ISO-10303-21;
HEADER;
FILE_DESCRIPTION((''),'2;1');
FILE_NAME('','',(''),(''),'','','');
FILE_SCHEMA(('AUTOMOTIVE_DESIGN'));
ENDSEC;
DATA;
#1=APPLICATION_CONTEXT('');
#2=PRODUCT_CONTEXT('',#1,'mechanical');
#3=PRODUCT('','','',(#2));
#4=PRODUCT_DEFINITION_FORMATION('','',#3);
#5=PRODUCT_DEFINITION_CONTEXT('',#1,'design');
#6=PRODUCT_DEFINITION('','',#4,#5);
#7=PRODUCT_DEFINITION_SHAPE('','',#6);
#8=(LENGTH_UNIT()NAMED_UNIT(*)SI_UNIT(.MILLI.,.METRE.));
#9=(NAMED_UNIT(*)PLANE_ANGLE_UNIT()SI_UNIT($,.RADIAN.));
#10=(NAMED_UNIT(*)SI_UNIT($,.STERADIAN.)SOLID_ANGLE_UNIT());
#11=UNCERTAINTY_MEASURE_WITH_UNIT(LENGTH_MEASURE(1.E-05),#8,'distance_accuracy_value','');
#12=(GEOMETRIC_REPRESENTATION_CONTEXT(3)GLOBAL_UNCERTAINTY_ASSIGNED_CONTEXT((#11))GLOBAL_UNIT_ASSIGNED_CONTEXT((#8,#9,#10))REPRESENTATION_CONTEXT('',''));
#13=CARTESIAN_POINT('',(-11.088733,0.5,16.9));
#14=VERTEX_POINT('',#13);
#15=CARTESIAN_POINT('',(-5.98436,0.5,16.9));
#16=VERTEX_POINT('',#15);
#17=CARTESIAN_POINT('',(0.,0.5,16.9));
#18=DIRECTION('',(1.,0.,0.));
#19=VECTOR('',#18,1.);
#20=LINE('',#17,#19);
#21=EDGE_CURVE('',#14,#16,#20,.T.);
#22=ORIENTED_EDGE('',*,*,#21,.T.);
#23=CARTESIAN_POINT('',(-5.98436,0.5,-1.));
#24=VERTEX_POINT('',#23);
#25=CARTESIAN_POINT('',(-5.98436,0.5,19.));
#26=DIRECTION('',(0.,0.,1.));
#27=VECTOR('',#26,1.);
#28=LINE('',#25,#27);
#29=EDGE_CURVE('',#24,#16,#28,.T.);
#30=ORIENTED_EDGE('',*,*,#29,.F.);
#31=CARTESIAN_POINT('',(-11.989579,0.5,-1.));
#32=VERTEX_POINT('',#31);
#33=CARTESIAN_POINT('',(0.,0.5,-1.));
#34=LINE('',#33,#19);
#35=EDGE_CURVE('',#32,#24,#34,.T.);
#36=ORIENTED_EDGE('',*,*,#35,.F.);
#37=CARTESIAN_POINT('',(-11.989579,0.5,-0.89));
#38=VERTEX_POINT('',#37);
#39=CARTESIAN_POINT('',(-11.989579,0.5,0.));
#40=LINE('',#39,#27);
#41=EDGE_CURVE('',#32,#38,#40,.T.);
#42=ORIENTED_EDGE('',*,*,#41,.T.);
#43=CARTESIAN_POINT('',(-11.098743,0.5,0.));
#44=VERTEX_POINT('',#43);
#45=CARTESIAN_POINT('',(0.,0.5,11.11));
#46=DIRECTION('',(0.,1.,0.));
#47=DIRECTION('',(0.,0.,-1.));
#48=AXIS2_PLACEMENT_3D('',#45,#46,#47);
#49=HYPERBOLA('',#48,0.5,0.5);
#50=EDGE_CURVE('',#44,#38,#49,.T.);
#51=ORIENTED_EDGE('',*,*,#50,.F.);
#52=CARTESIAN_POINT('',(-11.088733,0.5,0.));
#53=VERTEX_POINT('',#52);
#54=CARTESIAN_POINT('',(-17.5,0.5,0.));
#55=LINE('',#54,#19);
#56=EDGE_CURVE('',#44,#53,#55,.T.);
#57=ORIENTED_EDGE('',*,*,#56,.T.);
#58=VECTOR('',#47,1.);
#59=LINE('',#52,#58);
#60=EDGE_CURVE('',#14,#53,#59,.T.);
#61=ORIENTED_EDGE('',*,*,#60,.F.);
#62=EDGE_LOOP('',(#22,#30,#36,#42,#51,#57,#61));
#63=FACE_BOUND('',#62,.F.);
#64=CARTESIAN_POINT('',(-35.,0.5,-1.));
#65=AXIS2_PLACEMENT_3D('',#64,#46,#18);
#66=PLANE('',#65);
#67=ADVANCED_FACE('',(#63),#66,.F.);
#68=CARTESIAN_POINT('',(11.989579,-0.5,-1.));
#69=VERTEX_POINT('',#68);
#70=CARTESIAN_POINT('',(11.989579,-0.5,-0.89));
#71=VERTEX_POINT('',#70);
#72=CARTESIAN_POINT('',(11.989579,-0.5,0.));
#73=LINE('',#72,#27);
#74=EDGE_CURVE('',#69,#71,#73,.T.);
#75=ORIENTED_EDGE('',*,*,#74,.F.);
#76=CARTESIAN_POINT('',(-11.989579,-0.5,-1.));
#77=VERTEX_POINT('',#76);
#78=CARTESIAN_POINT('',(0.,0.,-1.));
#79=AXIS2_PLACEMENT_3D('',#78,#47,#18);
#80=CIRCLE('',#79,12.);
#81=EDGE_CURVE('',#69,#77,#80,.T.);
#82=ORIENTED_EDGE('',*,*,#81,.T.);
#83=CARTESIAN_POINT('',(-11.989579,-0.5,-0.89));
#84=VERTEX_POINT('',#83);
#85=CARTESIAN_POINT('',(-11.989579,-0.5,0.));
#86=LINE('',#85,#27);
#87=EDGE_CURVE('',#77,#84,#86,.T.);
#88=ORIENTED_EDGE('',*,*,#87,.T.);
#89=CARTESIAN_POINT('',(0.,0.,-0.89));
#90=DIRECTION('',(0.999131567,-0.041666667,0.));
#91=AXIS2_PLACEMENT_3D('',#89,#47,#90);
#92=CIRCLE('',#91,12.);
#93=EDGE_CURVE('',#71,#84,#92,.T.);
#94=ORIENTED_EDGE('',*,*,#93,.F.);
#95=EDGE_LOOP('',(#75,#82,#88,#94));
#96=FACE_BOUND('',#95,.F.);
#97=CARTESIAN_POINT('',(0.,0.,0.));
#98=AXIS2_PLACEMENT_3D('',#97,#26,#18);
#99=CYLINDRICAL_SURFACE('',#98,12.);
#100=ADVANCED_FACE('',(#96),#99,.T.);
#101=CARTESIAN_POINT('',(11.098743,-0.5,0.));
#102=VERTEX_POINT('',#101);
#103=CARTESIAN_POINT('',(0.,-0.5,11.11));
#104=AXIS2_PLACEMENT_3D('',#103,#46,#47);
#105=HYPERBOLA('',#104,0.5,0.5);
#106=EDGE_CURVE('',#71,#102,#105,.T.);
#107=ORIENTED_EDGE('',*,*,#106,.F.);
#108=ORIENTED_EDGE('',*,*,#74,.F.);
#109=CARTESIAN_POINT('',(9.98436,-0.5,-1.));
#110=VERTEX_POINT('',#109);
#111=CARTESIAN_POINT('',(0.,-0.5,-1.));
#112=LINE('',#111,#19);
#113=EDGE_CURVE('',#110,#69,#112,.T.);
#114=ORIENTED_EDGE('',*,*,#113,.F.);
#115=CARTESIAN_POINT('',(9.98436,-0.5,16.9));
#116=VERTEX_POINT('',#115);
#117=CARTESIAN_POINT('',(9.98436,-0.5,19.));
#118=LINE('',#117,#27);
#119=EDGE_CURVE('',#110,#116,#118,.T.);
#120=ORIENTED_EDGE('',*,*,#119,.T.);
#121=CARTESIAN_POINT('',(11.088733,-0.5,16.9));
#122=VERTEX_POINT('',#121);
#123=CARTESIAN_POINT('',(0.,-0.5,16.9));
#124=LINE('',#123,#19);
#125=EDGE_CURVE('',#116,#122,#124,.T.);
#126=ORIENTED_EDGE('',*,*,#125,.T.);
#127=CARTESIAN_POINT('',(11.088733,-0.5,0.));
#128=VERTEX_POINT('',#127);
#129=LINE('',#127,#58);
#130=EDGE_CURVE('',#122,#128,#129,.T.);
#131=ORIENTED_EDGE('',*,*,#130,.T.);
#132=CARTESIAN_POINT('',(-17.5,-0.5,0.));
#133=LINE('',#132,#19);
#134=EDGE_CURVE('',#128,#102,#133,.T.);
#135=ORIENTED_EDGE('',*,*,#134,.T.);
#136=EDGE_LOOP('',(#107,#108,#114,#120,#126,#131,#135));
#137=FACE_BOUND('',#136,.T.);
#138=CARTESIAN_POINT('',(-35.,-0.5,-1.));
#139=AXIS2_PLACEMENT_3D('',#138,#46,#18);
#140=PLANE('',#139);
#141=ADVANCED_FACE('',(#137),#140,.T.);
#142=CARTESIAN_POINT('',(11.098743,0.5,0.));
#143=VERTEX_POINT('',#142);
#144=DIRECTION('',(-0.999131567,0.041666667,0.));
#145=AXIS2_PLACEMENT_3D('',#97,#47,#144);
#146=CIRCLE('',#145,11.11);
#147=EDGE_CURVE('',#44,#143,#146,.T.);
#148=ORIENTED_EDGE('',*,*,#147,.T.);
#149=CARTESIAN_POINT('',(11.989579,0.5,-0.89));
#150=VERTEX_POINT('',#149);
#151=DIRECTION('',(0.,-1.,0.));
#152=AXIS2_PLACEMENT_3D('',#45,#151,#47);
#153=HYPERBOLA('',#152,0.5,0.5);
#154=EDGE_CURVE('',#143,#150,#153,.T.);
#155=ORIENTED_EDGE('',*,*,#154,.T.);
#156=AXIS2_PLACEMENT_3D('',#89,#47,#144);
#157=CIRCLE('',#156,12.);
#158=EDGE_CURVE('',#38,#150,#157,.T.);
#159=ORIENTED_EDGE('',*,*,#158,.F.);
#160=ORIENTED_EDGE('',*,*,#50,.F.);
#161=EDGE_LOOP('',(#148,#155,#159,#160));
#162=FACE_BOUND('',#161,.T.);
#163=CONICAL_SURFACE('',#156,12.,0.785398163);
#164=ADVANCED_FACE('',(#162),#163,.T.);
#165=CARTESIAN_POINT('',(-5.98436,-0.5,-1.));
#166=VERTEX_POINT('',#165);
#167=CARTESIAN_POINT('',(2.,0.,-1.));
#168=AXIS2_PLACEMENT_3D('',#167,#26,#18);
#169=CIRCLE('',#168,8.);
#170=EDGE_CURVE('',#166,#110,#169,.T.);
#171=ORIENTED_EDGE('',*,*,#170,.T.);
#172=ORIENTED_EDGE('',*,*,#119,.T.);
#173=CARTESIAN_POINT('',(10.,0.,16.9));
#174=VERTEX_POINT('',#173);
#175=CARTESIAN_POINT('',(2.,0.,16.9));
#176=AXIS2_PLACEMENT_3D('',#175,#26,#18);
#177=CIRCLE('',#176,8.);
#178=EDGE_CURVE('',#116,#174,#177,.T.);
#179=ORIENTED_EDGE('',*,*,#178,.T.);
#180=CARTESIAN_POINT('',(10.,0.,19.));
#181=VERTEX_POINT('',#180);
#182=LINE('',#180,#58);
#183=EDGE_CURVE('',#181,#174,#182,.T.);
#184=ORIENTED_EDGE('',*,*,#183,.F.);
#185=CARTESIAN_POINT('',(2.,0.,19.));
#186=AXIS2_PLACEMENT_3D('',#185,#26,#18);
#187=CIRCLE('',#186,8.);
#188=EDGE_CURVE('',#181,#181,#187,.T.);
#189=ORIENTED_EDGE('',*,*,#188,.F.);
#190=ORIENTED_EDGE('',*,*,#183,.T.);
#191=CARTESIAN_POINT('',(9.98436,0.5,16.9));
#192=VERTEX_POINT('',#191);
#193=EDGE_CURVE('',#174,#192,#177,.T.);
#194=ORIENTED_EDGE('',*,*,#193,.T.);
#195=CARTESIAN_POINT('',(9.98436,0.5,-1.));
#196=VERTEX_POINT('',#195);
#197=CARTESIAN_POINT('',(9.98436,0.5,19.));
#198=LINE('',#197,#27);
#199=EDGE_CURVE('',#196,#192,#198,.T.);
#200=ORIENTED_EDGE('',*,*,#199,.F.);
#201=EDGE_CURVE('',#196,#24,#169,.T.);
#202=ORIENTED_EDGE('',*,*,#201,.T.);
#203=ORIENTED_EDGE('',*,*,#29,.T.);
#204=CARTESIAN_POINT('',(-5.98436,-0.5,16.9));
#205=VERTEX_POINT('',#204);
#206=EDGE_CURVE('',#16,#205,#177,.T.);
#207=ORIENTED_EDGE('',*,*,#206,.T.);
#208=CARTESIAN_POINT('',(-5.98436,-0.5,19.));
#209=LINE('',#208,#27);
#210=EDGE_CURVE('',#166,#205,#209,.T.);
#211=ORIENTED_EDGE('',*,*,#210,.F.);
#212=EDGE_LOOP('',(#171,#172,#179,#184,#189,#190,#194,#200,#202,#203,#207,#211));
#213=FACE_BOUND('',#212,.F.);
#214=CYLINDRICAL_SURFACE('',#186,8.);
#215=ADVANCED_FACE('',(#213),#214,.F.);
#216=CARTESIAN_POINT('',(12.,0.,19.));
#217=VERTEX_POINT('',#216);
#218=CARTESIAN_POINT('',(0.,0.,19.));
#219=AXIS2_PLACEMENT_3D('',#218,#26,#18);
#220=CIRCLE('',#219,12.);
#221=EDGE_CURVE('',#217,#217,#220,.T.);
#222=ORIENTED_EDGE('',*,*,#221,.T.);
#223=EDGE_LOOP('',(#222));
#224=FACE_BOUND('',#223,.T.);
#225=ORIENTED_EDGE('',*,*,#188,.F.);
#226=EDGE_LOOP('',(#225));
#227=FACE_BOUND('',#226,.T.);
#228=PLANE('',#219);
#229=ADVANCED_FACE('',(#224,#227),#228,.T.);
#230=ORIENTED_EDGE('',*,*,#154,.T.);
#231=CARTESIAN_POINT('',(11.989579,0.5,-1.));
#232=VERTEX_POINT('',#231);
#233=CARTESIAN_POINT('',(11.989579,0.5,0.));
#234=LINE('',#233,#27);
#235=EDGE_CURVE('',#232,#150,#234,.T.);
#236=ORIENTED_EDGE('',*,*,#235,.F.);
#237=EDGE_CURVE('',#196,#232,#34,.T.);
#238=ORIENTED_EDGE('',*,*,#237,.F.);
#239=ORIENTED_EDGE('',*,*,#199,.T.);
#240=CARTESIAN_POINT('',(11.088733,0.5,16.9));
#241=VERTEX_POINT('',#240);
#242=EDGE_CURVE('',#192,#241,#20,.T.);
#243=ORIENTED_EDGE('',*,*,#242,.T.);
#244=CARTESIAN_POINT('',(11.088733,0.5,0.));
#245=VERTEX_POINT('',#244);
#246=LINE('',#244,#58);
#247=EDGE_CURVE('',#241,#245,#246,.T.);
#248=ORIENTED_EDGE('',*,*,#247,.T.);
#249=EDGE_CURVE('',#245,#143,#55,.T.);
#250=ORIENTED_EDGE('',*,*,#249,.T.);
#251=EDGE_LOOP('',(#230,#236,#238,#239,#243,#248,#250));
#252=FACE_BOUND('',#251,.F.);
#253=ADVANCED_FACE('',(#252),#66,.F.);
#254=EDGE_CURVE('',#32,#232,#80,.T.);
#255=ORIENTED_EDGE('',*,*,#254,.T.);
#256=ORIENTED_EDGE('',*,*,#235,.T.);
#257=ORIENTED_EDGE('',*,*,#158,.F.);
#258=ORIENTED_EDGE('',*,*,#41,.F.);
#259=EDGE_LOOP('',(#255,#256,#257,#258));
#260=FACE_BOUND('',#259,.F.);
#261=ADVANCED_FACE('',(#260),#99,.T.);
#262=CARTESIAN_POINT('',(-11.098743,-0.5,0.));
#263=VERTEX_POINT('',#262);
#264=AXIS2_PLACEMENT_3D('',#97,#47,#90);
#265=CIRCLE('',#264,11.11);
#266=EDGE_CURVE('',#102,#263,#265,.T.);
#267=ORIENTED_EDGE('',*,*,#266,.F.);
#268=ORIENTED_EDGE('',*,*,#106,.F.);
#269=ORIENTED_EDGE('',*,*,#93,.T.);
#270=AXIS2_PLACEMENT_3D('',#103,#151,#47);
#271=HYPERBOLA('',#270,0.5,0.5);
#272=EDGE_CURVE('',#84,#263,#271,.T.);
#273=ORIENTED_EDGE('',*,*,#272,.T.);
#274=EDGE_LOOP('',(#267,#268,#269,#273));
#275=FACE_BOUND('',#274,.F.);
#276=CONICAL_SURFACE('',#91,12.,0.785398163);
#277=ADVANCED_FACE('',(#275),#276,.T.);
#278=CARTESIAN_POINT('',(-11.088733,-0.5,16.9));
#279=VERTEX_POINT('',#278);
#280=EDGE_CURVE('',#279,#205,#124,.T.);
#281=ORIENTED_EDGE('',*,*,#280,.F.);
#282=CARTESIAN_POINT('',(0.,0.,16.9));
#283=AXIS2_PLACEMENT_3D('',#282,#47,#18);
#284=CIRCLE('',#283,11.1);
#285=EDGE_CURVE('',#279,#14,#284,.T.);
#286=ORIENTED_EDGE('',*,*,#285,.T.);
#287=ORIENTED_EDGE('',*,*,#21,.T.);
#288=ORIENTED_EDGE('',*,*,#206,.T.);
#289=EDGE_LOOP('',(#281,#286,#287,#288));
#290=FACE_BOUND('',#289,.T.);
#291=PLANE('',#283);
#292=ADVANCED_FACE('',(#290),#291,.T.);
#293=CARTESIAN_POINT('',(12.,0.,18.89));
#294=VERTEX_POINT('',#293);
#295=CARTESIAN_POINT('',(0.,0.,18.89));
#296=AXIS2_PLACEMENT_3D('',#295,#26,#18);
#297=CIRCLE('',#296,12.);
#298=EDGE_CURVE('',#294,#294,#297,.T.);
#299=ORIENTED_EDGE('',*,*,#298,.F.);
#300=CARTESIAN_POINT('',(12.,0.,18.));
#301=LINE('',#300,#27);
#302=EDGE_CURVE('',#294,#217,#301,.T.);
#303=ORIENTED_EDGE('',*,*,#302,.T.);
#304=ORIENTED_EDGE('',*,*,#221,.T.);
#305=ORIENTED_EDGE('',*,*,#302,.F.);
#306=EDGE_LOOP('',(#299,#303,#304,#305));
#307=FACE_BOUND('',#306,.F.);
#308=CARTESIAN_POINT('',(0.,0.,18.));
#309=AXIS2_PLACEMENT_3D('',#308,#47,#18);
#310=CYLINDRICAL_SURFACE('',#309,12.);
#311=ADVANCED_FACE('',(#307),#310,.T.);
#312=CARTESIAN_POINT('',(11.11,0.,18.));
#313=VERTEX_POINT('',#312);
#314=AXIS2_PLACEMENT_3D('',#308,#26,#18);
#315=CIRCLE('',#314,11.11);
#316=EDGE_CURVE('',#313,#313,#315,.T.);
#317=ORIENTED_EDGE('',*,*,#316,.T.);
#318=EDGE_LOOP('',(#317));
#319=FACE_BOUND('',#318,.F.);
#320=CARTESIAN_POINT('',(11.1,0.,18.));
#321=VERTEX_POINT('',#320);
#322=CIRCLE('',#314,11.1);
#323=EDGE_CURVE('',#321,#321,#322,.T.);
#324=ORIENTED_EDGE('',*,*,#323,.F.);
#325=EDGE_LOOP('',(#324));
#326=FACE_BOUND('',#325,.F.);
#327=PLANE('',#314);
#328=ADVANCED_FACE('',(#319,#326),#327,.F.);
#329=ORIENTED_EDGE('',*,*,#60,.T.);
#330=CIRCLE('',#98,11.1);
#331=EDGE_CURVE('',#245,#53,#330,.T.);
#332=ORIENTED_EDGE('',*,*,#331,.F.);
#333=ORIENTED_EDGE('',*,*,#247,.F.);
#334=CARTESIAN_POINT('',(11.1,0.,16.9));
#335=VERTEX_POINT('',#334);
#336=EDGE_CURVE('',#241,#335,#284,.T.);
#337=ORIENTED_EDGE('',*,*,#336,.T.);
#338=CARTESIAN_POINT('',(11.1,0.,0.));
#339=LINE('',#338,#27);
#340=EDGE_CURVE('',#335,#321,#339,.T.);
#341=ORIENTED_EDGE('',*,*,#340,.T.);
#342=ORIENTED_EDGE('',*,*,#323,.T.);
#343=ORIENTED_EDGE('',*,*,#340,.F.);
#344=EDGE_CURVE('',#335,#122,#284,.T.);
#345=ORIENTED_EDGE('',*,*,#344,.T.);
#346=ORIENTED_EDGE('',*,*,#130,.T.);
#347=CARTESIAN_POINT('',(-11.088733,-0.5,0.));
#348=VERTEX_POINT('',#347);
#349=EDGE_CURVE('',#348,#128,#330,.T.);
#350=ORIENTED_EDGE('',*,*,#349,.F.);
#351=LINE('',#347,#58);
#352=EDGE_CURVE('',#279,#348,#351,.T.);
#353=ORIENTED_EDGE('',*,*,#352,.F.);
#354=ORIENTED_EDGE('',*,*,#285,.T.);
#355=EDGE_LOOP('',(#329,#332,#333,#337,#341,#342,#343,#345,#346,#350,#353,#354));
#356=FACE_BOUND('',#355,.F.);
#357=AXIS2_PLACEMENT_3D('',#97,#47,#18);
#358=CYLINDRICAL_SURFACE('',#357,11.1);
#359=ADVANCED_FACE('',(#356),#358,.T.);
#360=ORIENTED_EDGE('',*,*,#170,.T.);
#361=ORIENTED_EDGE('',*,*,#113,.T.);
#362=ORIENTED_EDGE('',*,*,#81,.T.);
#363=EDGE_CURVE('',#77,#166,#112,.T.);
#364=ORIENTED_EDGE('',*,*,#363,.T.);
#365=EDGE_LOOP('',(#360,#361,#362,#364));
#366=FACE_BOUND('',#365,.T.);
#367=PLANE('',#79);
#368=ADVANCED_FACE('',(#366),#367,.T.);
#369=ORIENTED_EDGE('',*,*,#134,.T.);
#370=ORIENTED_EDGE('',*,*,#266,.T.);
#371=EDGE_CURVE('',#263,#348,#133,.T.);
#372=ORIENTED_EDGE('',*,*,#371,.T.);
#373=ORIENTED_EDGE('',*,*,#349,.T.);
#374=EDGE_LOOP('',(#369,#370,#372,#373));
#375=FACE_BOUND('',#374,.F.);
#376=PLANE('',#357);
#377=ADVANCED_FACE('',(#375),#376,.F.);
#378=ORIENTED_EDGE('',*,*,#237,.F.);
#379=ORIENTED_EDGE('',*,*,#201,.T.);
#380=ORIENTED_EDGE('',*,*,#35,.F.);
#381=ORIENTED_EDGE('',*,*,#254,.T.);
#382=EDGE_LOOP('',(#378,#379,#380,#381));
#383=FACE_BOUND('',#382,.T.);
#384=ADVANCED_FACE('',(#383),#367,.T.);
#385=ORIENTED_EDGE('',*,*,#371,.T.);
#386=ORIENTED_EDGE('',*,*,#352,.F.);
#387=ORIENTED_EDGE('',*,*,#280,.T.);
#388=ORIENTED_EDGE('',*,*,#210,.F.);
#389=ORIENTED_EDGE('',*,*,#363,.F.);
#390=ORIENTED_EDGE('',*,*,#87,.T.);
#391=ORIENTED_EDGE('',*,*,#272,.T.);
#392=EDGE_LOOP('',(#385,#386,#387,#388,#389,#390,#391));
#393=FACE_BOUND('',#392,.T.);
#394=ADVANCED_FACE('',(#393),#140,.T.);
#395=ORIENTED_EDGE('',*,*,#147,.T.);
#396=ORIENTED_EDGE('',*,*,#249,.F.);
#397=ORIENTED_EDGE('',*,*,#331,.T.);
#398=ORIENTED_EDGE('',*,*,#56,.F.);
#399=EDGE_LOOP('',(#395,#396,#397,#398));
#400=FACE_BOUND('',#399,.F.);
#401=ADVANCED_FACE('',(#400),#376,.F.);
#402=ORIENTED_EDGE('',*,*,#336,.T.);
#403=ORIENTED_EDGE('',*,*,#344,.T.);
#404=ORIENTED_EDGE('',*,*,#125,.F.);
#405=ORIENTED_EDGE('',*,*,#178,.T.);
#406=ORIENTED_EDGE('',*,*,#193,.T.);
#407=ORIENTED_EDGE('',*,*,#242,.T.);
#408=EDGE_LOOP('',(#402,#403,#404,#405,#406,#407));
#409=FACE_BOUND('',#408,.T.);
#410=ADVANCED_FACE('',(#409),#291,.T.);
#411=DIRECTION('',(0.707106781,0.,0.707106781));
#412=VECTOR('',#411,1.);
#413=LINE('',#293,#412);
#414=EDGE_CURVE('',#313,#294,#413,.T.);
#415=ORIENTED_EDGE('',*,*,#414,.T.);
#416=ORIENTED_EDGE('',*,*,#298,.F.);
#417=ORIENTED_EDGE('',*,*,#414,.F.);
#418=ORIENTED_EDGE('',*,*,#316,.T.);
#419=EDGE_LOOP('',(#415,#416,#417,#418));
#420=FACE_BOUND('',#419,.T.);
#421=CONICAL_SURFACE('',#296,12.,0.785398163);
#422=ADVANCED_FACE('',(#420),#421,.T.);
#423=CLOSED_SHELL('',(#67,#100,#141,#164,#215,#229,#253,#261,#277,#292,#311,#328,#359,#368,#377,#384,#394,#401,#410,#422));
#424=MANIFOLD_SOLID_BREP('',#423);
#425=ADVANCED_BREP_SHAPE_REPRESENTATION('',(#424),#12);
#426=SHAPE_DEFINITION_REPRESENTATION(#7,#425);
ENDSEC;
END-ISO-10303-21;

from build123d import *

# Parameters (mm, degrees)
SKETCH_R        = 11.1
PAD_DEPTH       = 18
SKETCH001_R     = 12
PAD001_DEPTH    = 1
SKETCH002_R     = 12
PAD002_DEPTH    = 1
SKETCH003_R     = 8
POCKET_DEPTH    = 20.001
SKETCH004_W     = 70
SKETCH004_H     = 1
POCKET001_DEPTH = 17.9
CHAMFER_SIZE    = 0.89


with BuildPart() as part:
    # Sketch → Pad (new body)
    with BuildSketch(Plane.XY):
        Circle(SKETCH_R)
    extrude(amount=PAD_DEPTH)

    # Sketch001 → Pad001 (new body)
    with BuildSketch(Plane.XY.offset(18)):
        Circle(SKETCH001_R)
    extrude(amount=PAD001_DEPTH)

    # Sketch002 → Pad002 (new body)
    with BuildSketch(Plane(origin=(0, 0, 0), x_dir=(1, 0, 0), z_dir=(0, 0, -1))):
        Circle(SKETCH002_R)
    extrude(amount=PAD002_DEPTH)

    # Sketch003 → Pocket (cut, through all)
    with BuildSketch(Plane.XY.offset(19)):
        with Locations((2, 0)):
            Circle(SKETCH003_R)
    extrude(amount=-POCKET_DEPTH, mode=Mode.SUBTRACT)

    # Sketch004 → Pocket001 (cut)
    with BuildSketch(Plane(origin=(0, 0, -1), x_dir=(1, 0, 0), z_dir=(0, 0, -1))):
        Rectangle(SKETCH004_W, SKETCH004_H)
    extrude(amount=-POCKET001_DEPTH, mode=Mode.SUBTRACT)

    # Chamfer
    chamfer_edges = [part.edges().sort_by_distance(p)[0] for p in [
        (0, -12, 0),
        (0, 12, 0),
        (-12, 0, 18),
    ]]
    chamfer(chamfer_edges, length=CHAMFER_SIZE)


solid = part.part
